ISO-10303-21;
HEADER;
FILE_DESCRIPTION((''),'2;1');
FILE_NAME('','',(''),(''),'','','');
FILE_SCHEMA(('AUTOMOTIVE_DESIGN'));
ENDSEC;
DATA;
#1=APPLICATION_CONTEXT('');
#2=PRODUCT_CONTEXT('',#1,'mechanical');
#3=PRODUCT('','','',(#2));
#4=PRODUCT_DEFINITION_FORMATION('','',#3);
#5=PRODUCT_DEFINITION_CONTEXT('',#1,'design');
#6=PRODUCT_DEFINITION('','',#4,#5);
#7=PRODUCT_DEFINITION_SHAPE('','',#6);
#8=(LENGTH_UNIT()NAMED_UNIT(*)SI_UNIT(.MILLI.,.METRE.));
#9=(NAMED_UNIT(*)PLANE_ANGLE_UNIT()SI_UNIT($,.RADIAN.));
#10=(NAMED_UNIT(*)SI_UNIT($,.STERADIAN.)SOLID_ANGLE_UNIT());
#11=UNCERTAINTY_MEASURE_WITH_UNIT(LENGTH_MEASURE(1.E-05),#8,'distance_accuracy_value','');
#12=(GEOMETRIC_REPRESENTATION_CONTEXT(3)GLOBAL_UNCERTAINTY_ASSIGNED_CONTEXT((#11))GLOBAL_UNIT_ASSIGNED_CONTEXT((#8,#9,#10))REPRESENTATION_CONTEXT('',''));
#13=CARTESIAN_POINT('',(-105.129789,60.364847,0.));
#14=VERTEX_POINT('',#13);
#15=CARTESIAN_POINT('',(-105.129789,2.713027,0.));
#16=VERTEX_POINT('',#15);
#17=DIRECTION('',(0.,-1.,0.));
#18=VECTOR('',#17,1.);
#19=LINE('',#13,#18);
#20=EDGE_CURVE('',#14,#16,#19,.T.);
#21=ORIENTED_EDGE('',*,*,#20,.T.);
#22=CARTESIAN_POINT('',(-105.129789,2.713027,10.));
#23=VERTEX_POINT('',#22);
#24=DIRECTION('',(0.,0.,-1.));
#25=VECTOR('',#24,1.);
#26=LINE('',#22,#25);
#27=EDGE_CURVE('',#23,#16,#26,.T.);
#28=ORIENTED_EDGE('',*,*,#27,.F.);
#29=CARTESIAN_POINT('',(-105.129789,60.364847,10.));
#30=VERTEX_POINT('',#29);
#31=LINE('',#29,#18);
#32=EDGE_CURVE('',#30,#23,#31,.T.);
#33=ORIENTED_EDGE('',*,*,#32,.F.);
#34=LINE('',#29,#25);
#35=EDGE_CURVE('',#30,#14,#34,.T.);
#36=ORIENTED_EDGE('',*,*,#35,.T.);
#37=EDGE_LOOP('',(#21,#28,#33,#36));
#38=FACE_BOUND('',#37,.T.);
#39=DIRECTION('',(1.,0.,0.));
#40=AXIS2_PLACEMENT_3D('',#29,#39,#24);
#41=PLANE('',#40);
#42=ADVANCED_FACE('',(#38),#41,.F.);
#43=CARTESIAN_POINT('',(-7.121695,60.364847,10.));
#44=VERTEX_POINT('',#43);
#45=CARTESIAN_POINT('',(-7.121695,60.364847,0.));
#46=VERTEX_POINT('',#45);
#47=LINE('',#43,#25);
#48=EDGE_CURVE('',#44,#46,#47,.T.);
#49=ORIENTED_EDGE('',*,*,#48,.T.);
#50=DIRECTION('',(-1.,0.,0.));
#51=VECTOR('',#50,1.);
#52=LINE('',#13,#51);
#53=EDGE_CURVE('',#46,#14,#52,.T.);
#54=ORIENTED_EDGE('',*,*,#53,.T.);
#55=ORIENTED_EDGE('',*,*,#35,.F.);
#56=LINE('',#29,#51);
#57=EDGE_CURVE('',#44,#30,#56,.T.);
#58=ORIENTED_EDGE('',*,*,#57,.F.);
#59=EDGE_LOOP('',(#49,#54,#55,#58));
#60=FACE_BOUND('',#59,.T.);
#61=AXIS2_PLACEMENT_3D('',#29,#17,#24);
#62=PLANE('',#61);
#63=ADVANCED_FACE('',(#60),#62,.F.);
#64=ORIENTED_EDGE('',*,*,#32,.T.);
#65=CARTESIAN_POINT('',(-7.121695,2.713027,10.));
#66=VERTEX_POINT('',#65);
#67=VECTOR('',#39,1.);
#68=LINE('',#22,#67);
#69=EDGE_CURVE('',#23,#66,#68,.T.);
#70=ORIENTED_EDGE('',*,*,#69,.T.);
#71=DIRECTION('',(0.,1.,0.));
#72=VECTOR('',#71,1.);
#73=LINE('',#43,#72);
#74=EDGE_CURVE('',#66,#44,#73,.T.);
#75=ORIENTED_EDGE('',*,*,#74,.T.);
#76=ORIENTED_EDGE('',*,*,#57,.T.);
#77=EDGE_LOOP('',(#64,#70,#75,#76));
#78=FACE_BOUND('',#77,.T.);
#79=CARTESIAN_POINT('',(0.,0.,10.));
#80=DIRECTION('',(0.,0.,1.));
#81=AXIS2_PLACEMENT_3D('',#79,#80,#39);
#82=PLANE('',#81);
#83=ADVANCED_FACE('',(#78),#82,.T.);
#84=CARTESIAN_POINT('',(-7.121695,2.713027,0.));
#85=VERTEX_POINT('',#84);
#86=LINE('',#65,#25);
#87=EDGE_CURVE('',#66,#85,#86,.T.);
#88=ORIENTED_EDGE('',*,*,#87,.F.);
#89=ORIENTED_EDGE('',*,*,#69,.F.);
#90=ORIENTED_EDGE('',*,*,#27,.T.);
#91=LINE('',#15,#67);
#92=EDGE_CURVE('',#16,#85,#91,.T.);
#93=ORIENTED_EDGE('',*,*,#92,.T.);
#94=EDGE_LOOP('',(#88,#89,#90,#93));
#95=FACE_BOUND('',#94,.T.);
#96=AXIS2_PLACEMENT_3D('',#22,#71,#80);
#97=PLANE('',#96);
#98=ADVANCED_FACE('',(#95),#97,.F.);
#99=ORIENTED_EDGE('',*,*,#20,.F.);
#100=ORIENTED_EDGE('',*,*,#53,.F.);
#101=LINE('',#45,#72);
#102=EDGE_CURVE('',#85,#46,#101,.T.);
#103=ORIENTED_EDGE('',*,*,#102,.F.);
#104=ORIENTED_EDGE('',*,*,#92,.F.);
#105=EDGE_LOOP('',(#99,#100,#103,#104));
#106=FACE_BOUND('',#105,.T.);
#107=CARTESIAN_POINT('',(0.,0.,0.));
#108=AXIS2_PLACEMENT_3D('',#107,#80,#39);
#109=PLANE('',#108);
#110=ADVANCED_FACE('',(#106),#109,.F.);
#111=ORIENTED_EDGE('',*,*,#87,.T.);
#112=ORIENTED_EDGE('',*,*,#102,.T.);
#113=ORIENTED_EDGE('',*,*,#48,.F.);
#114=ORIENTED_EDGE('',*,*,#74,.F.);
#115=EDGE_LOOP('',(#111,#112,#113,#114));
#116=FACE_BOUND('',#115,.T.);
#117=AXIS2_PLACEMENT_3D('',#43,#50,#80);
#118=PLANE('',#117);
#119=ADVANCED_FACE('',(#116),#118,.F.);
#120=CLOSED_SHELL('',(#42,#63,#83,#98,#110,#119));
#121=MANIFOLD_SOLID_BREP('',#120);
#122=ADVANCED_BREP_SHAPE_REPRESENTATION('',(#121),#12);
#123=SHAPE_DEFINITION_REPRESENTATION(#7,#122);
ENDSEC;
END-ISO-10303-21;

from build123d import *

# Parameters (mm, degrees)
ESQUISSE1_W        = 98.008093776
ESQUISSE1_H        = 57.651819868
BOSS_EXTRU_1_DEPTH = 10


with BuildPart() as part:
    # Esquisse1 → Boss.-Extru.1 (new body)
    with BuildSketch(Plane.XY):
        with Locations((-56.125742283, 31.538936751)):
            Rectangle(ESQUISSE1_W, ESQUISSE1_H)
    extrude(amount=BOSS_EXTRU_1_DEPTH)


solid = part.part
